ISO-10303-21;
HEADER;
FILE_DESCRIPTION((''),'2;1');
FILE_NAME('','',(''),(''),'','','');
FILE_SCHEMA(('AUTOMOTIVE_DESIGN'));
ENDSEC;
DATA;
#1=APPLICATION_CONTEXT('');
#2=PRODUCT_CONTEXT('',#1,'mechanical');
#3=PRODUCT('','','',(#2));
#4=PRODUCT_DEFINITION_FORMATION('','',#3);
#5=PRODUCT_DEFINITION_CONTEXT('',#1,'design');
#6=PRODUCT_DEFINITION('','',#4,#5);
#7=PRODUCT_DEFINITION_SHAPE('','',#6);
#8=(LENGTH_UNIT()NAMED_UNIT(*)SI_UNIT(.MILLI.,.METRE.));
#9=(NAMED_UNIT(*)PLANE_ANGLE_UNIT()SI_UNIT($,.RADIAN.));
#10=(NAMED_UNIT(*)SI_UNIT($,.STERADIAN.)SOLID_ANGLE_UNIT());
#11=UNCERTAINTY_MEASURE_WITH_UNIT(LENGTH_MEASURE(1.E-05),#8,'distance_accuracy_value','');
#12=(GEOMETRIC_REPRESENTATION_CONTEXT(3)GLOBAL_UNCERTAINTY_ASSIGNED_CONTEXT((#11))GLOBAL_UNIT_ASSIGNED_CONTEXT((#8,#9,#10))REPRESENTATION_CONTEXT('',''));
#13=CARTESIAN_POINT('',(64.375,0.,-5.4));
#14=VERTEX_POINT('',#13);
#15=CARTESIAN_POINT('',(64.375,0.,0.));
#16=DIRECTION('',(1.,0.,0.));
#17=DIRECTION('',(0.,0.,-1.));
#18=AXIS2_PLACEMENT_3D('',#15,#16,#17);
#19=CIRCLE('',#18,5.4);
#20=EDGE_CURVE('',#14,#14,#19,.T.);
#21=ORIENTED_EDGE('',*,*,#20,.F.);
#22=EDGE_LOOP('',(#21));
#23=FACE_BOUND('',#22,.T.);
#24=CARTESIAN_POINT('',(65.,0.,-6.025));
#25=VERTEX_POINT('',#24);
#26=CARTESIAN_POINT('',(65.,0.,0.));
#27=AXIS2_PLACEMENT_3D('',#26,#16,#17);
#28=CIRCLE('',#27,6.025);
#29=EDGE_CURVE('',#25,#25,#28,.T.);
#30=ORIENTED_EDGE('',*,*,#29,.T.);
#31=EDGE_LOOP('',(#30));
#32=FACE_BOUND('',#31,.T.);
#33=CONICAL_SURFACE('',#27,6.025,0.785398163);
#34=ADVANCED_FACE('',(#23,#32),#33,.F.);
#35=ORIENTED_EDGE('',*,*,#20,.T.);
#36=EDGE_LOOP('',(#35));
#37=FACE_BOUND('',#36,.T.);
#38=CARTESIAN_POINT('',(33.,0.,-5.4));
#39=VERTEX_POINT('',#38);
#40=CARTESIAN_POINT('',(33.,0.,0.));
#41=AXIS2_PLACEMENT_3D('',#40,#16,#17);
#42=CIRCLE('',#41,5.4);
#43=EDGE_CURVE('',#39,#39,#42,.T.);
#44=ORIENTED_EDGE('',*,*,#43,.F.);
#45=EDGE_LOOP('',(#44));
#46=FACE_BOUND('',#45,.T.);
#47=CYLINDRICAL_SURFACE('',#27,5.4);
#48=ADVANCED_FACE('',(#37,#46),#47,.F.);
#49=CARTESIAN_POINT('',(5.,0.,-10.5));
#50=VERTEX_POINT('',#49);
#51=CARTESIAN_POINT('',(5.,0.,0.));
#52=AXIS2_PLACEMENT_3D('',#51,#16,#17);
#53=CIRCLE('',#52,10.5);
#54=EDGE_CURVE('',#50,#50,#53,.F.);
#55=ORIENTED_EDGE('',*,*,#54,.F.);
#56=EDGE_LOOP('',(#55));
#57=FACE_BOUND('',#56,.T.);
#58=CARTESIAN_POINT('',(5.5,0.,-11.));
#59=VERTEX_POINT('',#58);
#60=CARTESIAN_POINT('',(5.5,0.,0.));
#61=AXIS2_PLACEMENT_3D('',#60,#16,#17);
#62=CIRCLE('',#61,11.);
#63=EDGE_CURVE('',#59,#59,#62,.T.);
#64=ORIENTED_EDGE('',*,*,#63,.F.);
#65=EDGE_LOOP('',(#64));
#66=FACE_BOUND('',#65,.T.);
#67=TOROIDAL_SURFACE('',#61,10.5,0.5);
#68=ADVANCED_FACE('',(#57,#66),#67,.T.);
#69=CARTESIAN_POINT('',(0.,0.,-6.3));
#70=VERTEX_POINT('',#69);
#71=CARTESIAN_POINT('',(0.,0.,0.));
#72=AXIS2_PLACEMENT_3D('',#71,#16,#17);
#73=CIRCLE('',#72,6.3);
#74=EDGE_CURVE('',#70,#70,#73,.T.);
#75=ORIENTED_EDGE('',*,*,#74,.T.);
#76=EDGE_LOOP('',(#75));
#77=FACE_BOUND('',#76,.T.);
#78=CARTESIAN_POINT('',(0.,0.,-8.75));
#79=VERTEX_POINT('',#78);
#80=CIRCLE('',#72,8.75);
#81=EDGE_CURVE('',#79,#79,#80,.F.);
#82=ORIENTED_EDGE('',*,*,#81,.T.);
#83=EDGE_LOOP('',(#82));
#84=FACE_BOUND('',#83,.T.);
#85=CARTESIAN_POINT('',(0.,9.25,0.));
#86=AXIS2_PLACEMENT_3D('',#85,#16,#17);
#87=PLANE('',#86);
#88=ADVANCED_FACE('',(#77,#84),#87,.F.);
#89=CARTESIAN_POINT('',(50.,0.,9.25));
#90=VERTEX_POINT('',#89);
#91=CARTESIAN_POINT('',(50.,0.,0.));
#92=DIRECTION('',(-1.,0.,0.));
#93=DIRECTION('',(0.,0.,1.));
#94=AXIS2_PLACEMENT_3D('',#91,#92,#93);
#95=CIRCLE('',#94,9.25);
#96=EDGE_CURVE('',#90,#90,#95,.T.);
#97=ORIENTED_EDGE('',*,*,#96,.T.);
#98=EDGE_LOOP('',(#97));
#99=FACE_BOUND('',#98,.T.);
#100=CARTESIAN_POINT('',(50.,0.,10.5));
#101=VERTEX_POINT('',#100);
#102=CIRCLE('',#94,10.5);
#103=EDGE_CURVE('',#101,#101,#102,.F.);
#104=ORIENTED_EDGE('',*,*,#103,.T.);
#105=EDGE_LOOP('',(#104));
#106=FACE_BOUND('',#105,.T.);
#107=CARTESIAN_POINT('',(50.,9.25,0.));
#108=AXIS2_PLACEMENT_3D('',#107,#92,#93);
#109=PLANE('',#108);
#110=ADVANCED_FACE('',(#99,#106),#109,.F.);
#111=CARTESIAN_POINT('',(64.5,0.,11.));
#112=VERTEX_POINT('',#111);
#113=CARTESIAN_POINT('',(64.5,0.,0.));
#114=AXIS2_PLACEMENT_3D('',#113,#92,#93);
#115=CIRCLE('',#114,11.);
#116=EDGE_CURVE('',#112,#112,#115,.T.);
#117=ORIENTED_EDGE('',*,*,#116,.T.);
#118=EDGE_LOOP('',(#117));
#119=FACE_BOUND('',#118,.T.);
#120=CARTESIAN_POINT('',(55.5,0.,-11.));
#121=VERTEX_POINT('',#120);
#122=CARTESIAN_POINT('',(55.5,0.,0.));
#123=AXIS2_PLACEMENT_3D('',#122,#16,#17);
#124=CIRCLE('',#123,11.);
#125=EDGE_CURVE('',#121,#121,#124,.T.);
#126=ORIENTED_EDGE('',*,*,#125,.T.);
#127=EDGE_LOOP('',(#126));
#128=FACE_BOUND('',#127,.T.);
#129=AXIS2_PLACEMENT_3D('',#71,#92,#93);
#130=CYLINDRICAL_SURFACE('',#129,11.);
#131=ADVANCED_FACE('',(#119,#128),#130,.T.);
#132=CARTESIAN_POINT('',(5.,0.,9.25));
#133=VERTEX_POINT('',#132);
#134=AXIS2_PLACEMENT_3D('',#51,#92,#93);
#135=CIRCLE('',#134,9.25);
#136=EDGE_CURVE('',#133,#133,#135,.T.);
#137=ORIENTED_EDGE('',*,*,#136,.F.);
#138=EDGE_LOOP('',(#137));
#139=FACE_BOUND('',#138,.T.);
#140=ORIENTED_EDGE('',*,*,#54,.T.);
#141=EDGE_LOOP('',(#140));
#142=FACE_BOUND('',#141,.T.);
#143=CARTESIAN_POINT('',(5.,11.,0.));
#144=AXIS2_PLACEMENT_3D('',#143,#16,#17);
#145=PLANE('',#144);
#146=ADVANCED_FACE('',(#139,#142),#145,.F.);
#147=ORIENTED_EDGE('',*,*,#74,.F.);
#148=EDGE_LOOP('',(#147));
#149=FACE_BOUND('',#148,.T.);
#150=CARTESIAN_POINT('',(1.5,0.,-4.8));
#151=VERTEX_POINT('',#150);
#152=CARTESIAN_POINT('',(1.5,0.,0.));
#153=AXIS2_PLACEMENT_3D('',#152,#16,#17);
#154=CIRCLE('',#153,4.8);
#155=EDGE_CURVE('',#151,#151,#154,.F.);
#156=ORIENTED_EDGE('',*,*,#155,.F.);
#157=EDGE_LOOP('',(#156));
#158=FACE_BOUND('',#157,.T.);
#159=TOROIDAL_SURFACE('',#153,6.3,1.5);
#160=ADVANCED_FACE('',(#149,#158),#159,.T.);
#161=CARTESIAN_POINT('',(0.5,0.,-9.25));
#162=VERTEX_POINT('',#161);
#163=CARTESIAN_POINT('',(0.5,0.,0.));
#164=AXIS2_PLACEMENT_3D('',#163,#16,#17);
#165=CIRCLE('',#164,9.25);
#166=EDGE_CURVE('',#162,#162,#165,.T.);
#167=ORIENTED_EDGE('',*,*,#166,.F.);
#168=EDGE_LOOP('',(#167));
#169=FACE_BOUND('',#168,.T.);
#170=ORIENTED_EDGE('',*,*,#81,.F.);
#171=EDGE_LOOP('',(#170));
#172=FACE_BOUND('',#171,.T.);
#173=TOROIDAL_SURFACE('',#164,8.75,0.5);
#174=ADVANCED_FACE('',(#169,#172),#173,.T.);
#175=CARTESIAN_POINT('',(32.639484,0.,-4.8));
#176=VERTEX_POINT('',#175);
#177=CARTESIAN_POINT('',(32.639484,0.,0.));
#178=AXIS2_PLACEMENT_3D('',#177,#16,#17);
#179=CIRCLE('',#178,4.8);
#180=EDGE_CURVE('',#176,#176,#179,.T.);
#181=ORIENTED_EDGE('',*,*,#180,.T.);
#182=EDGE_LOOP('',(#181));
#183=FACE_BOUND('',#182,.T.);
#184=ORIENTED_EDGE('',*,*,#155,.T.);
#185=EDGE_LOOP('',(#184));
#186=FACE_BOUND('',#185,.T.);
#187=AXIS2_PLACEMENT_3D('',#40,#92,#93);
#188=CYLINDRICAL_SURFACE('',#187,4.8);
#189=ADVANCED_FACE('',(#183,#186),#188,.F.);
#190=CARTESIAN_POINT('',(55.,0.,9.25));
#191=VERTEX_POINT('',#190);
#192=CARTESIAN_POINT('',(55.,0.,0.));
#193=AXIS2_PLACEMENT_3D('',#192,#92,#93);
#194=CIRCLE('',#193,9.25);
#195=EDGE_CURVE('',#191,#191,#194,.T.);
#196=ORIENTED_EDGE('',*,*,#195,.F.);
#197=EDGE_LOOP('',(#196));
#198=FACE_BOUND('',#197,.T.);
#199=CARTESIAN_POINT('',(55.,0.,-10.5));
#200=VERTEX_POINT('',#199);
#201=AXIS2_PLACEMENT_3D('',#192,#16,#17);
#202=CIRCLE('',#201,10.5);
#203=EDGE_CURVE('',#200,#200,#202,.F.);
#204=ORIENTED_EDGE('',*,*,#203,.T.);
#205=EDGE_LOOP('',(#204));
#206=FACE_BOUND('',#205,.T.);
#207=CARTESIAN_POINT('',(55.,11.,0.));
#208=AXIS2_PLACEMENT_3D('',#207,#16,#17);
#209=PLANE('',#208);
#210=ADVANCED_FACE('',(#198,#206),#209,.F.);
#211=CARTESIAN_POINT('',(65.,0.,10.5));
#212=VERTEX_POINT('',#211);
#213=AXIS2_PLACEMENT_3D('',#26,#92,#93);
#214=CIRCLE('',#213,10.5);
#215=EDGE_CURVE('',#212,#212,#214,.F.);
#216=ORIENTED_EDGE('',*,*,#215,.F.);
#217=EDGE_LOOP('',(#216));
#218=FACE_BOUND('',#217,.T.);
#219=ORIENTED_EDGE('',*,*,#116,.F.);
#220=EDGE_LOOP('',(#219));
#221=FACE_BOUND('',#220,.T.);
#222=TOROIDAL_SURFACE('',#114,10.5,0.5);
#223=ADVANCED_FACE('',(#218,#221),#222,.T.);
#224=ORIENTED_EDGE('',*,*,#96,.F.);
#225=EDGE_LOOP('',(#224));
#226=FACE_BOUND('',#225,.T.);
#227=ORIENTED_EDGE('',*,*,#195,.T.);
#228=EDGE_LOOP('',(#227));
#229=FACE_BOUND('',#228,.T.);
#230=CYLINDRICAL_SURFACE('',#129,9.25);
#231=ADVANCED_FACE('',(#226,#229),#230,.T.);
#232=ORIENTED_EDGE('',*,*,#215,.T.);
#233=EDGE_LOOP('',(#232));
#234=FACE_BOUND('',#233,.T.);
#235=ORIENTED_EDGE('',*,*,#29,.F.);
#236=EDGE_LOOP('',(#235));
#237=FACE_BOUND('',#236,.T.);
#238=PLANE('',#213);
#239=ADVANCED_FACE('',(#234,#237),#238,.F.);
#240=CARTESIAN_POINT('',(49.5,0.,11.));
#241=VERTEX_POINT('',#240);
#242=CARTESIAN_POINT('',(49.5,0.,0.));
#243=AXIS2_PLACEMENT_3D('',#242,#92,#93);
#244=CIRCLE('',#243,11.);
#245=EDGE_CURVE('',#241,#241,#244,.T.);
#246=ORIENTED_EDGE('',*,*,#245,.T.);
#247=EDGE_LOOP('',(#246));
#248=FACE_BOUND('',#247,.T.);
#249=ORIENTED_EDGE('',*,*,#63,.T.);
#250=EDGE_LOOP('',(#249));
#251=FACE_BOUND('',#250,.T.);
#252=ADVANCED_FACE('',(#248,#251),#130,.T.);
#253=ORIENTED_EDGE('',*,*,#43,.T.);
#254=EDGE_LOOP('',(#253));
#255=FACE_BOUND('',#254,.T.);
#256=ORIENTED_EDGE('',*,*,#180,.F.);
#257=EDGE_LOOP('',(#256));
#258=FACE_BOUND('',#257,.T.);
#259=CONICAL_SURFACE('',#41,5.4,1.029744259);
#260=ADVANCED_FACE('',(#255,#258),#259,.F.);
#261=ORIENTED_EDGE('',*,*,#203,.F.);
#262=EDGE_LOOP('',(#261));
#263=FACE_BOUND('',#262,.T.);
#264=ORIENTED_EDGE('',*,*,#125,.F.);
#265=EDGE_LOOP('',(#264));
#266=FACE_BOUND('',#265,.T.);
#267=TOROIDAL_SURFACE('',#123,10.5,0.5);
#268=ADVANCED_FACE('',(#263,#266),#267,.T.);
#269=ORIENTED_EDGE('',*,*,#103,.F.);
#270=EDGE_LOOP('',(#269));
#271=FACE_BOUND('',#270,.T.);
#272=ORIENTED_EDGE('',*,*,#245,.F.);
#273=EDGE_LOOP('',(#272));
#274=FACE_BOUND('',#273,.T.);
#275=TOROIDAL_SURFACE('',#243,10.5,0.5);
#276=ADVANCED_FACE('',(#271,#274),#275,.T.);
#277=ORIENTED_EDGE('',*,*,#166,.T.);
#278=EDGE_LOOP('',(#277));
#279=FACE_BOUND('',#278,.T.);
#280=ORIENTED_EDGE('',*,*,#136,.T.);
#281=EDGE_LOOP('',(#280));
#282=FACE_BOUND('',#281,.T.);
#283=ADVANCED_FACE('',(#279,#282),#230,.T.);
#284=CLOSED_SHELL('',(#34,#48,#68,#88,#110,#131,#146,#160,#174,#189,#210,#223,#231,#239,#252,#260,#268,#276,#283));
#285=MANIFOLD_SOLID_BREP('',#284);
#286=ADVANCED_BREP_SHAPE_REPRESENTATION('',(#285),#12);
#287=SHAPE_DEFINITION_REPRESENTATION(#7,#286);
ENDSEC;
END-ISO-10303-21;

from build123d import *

# Parameters (mm, degrees)
ESBO_O2_R                             = 4.8
CORTE_EXTRUS_O1_DEPTH                 = 33
FURO_ROSCADO_DE_M12X1_251_D           = 10.8
FURO_ROSCADO_DE_M12X1_251_DEPTH       = 32
FURO_ROSCADO_DE_M12X1_251_CSINK_D     = 12.05
FURO_ROSCADO_DE_M12X1_251_CSINK_ANGLE = 90
FURO_ROSCADO_DE_M12X1_251_TIP         = 3.244647343
FILETE1_R                             = 1.5
FILETE2_R                             = 0.5
FILETE3_R                             = 0.5
FILETE4_R                             = 0.5


with BuildPart() as part:
    # Esboço1 → Revolução1 (revolve)
    with BuildSketch(Plane.XY, mode=Mode.PRIVATE) as revolu_o1_sk:
        Polygon((0, 0), (65, 0), (65, 11), (55, 11), (55, 9.25), (50, 9.25), (50, 11), (5, 11), (5, 9.25), (0, 9.25), align=None)
    revolve(revolu_o1_sk.sketch.rotate(Axis((0, 0, 0), (1, 0, 0)), 90), axis=Axis((0, 0, 0), (1, 0, 0)))

    # Esboço2 → Corte-extrusão1 (cut)
    with BuildSketch(Plane.ZY):
        Circle(ESBO_O2_R)
    extrude(amount=-CORTE_EXTRUS_O1_DEPTH, mode=Mode.SUBTRACT)

    # Furo roscado de M12x1.251
    with Locations(Plane(origin=(65, 0, 0), x_dir=(0, 0, -1), z_dir=(1, 0, 0))):
        with Locations((0, 0)):
            CounterSinkHole(FURO_ROSCADO_DE_M12X1_251_D / 2, FURO_ROSCADO_DE_M12X1_251_CSINK_D / 2, depth=FURO_ROSCADO_DE_M12X1_251_DEPTH, counter_sink_angle=FURO_ROSCADO_DE_M12X1_251_CSINK_ANGLE)
            with Locations((0, 0, -(FURO_ROSCADO_DE_M12X1_251_DEPTH + FURO_ROSCADO_DE_M12X1_251_TIP / 2))):  # 118° drill point
                Cone(0, FURO_ROSCADO_DE_M12X1_251_D / 2, FURO_ROSCADO_DE_M12X1_251_TIP, mode=Mode.SUBTRACT)

    # Filete1
    filete1_edges = [part.edges().sort_by_distance(p)[0] for p in [
        (0, 0, -4.8),
    ]]
    fillet(filete1_edges, radius=FILETE1_R)

    # Filete2
    filete2_edges = [part.edges().sort_by_distance(p)[0] for p in [
        (0, 0, -9.25),
    ]]
    fillet(filete2_edges, radius=FILETE2_R)

    # Filete3
    filete3_edges = [part.edges().sort_by_distance(p)[0] for p in [
        (65, 0, -11),
        (50, 0, -11),
        (55, 0, -11),
    ]]
    fillet(filete3_edges, radius=FILETE3_R)

    # Filete4
    filete4_edges = [part.edges().sort_by_distance(p)[0] for p in [
        (5, 0, -11),
    ]]
    fillet(filete4_edges, radius=FILETE4_R)


solid = part.part
